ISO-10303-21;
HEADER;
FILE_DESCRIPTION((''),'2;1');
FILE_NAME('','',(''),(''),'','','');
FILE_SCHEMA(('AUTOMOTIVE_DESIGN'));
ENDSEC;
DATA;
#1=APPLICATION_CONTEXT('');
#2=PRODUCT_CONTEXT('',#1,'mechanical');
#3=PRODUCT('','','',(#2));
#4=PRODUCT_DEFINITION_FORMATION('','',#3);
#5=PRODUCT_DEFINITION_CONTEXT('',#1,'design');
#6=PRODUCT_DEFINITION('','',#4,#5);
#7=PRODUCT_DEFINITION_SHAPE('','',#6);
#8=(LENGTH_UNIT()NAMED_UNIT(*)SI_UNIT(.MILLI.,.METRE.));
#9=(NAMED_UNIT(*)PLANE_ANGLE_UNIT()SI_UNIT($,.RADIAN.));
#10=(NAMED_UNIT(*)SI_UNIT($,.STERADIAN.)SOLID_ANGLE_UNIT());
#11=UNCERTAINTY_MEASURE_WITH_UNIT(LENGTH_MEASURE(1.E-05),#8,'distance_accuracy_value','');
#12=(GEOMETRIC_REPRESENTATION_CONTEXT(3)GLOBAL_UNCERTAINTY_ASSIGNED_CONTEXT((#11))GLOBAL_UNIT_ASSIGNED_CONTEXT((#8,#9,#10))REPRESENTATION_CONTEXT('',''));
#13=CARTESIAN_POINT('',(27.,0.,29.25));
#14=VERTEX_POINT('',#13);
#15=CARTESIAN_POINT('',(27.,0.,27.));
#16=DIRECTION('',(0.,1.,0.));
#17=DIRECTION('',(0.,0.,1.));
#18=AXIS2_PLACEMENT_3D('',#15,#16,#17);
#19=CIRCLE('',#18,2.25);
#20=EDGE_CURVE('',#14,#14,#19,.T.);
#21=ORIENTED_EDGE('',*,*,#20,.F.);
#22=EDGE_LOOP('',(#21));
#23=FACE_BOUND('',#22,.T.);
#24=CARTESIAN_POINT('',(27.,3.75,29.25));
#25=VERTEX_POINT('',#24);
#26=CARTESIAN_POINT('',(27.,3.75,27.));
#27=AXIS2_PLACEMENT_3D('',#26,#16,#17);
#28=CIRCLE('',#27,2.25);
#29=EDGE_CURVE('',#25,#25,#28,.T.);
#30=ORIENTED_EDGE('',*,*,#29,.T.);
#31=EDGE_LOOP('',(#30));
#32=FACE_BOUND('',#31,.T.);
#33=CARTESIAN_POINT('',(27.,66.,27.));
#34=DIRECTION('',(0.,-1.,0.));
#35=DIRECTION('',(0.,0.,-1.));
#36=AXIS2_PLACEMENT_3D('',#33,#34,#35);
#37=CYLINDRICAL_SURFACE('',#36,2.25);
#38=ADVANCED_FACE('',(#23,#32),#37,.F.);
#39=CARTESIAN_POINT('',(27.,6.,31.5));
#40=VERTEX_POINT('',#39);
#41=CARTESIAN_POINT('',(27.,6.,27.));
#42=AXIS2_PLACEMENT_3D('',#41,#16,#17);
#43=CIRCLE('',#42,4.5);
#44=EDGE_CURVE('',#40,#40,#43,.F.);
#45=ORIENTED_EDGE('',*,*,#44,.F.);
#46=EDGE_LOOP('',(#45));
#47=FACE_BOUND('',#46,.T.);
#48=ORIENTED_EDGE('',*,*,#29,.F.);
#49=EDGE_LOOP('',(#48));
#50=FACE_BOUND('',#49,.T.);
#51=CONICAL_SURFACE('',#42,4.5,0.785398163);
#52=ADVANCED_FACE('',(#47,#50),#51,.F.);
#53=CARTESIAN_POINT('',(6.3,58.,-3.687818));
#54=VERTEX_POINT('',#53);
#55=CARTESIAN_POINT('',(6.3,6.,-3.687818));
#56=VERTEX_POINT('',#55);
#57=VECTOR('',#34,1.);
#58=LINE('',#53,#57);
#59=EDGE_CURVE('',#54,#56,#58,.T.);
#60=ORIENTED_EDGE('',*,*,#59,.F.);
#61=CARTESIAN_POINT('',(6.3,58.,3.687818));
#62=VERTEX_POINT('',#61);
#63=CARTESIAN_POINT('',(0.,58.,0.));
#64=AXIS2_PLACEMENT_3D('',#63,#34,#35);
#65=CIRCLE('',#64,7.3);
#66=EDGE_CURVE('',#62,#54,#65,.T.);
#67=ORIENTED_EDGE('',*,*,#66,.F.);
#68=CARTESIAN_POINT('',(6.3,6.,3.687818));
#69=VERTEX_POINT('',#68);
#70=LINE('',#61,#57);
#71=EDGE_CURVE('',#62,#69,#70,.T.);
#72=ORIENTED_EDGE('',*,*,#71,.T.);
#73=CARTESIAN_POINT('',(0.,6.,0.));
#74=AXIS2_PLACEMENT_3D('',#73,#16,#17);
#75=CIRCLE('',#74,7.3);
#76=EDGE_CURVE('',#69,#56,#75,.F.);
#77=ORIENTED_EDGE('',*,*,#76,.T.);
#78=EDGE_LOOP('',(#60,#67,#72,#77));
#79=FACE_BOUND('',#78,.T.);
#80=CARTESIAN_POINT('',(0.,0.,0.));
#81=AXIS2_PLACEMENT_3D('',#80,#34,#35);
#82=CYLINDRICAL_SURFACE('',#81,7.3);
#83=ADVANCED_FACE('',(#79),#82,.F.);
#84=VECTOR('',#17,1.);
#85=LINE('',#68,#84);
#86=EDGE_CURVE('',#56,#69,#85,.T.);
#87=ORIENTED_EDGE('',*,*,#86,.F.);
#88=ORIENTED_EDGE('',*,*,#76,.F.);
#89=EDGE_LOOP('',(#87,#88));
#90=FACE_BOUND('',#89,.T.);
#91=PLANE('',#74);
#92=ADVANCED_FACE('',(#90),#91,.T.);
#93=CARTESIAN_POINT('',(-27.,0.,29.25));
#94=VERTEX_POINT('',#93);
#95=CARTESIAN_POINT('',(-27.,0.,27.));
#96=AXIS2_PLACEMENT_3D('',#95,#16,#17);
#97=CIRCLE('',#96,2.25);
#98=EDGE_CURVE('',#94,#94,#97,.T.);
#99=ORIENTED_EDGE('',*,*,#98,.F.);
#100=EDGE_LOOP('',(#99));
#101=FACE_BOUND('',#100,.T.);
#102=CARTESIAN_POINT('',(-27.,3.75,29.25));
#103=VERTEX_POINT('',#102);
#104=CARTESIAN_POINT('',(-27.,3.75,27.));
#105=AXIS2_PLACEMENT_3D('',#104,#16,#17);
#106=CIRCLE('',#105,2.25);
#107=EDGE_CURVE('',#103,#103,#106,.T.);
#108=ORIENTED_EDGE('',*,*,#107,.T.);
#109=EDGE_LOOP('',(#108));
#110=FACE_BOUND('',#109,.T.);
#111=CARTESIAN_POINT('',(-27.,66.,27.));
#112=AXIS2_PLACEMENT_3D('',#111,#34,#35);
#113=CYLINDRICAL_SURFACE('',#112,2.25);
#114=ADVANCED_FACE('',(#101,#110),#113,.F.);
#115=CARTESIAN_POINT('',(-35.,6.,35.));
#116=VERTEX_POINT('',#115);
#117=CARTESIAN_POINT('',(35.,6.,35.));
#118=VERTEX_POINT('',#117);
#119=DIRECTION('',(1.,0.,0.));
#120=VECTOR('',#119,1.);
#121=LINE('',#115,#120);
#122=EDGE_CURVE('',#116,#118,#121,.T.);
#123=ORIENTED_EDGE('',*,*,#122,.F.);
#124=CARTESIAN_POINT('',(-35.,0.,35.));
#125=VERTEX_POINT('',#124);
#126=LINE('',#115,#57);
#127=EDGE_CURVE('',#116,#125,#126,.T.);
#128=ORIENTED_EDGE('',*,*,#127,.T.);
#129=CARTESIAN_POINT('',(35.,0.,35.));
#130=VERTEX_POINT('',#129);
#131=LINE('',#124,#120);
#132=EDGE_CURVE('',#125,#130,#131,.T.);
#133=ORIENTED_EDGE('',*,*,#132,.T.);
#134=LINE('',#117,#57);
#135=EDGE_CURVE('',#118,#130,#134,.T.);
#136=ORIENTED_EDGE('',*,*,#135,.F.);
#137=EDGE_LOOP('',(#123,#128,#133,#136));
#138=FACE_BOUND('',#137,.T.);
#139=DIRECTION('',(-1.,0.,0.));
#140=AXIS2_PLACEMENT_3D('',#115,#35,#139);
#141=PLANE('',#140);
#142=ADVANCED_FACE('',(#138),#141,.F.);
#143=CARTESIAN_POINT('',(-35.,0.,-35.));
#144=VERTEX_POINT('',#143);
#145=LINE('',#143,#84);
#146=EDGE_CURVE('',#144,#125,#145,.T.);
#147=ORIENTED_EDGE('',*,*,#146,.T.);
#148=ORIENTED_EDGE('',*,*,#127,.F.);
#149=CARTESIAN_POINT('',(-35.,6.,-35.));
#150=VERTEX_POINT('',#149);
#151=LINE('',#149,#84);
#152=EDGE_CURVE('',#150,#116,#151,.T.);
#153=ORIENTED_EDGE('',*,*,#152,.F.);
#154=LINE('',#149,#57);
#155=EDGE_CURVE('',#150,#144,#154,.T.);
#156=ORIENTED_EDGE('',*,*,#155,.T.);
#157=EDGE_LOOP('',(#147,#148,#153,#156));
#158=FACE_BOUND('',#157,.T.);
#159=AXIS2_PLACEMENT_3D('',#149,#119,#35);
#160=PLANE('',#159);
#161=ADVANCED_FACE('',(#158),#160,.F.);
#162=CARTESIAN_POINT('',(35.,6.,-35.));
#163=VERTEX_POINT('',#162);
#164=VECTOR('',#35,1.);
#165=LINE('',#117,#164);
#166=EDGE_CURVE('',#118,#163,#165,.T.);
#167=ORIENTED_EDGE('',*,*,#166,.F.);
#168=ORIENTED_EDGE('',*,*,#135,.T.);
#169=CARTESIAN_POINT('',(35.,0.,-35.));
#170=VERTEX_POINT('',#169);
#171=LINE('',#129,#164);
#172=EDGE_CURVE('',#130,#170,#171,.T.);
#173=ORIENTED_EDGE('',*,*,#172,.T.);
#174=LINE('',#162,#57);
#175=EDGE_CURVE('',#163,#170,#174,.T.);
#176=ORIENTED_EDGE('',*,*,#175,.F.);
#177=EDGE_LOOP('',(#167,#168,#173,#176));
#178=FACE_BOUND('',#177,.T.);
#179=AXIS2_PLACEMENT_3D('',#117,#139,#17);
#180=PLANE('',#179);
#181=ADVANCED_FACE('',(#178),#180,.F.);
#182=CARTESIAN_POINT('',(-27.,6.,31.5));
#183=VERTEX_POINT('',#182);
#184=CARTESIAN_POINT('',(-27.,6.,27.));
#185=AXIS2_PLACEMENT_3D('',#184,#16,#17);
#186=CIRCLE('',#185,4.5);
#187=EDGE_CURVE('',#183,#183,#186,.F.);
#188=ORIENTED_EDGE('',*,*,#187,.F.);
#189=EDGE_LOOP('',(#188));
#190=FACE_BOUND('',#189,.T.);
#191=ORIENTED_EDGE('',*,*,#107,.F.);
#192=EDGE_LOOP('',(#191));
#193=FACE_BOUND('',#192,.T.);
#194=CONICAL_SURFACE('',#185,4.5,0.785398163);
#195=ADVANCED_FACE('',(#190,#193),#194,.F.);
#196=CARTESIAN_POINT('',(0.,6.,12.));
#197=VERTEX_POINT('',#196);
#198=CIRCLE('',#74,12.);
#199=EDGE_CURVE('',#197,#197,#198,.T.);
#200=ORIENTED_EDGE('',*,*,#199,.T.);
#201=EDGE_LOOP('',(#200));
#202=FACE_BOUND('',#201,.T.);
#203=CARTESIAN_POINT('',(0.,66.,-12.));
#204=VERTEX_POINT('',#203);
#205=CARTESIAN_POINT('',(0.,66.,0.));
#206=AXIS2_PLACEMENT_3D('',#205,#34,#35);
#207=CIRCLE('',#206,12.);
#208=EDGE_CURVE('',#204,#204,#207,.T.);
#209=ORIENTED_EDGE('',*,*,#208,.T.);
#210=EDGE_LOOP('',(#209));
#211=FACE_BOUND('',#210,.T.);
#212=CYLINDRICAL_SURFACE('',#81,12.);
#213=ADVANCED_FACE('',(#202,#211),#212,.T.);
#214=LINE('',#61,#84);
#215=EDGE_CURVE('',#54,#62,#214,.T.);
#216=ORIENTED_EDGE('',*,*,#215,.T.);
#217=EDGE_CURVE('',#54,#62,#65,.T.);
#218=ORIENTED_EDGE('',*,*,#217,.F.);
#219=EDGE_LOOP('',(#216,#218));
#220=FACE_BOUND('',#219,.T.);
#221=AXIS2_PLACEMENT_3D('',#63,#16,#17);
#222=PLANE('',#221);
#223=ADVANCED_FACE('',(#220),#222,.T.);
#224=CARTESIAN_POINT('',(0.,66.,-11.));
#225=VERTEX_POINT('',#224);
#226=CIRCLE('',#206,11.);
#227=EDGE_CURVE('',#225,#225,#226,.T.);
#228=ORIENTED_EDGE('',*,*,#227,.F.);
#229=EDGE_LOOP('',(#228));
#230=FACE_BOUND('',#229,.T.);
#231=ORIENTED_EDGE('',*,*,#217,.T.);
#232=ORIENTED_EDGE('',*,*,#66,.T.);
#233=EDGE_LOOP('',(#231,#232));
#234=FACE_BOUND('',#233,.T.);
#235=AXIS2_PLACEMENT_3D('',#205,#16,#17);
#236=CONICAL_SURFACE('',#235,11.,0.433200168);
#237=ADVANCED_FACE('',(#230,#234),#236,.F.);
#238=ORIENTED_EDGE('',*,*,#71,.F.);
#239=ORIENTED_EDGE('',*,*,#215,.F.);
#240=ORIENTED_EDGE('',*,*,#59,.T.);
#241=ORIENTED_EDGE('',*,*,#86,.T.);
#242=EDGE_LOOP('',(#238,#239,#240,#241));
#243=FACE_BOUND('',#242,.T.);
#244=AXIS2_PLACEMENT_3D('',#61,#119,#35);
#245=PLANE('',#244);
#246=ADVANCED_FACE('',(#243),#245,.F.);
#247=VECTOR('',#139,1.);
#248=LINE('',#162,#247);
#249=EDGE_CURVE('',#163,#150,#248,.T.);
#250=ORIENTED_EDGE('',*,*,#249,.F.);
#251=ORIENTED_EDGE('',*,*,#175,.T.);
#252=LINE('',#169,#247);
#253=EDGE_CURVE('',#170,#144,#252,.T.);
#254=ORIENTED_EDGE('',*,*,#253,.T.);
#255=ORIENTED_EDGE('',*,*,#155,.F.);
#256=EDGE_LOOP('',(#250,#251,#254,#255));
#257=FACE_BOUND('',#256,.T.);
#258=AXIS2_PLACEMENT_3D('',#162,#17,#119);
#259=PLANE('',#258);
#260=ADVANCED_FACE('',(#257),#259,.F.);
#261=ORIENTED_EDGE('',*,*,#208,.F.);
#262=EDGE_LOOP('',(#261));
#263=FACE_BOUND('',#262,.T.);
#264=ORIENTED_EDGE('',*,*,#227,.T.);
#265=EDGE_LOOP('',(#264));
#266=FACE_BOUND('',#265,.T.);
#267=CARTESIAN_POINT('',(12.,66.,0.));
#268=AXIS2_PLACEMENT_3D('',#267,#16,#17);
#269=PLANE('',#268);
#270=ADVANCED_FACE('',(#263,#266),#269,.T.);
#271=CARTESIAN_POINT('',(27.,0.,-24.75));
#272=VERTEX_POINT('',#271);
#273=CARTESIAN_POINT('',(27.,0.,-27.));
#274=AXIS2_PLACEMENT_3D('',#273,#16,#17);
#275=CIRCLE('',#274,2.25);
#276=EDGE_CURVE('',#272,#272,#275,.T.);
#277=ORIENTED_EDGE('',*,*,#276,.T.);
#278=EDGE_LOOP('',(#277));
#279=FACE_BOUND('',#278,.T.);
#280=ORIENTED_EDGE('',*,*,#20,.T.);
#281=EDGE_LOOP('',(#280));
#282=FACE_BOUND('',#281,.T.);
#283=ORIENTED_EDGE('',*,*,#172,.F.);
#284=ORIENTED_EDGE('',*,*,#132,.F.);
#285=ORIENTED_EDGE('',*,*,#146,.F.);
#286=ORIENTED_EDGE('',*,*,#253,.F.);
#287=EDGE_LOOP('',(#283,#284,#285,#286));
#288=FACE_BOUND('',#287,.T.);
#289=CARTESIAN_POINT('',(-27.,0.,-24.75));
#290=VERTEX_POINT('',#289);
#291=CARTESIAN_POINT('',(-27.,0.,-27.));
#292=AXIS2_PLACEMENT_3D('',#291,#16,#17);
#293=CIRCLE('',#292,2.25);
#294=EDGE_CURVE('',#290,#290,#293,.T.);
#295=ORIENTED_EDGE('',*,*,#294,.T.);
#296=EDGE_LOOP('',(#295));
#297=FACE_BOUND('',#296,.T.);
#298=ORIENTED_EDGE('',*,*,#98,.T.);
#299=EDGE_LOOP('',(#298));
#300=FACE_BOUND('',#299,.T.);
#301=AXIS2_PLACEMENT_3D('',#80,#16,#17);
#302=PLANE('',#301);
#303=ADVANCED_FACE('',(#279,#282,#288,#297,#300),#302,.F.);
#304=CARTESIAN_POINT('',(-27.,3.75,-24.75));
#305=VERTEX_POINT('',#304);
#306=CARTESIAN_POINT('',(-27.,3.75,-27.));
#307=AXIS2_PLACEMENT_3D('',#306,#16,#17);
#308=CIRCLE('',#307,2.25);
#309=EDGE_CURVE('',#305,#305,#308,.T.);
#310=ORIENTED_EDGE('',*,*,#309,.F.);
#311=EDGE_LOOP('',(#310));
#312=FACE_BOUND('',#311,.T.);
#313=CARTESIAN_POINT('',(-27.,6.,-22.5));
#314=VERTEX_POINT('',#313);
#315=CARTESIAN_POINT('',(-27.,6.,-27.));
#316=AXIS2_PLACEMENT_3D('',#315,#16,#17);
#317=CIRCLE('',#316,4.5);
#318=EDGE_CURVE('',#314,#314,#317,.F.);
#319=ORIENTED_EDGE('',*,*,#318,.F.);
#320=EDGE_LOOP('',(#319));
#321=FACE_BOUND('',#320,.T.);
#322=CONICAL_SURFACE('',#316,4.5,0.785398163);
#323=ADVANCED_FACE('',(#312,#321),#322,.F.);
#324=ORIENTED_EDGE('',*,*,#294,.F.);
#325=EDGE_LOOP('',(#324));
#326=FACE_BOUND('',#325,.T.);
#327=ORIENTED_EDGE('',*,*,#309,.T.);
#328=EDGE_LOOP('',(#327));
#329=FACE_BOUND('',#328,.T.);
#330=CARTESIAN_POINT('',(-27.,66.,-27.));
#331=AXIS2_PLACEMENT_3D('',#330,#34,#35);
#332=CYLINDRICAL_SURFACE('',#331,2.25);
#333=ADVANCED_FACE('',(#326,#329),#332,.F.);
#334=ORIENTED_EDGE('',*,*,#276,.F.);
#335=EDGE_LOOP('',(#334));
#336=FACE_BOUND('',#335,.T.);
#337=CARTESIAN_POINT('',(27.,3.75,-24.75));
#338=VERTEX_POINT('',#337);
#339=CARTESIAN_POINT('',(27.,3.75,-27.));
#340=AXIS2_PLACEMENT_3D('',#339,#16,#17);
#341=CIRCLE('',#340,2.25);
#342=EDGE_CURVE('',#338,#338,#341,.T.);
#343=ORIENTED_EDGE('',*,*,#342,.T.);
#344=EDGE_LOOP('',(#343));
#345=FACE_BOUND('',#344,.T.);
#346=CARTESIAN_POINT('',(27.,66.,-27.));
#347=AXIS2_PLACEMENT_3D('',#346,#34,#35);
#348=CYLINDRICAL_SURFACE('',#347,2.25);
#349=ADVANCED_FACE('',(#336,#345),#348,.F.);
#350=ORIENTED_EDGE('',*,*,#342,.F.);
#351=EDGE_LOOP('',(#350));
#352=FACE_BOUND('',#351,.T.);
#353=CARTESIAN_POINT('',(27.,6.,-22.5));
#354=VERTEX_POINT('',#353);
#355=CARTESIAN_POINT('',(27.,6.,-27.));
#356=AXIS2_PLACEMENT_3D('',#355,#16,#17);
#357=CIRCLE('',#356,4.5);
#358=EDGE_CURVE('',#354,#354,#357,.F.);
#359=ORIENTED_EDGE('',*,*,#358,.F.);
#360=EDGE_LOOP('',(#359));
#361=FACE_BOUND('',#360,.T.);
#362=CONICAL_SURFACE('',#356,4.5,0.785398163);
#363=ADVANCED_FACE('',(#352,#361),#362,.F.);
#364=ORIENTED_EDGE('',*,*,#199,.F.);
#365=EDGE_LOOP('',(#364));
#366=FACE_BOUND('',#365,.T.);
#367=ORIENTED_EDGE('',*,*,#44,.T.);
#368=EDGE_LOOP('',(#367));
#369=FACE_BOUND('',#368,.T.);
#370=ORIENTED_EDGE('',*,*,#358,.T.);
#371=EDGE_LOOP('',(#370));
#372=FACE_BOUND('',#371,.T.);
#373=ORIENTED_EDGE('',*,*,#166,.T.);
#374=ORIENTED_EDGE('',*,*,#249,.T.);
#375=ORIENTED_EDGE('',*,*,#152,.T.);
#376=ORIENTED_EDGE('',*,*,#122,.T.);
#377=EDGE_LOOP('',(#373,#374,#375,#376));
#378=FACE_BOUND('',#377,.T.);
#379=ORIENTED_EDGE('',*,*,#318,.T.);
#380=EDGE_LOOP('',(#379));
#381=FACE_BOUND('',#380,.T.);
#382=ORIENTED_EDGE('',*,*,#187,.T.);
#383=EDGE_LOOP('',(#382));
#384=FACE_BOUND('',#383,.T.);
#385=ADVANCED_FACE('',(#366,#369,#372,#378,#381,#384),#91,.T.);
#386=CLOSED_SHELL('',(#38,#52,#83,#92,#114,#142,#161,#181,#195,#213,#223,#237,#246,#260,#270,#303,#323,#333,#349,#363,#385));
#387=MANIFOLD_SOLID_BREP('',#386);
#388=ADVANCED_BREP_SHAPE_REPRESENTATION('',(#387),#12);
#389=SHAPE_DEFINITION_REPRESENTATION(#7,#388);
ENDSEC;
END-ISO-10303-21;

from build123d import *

# Parameters (mm, degrees)
CROQUIS1_W              = 70
CROQUIS1_H              = 70
SALIENTE_EXTRUIR1_DEPTH = 6
SALIENTE_EXTRUIR2_DEPTH = 52
CROQUIS4_R              = 2.25
CORTAR_EXTRUIR1_DEPTH   = 83.498484835
CHAFL_N1_SIZE           = 2.25


with BuildPart() as part:
    # Croquis1 → Saliente-Extruir1 (new body)
    with BuildSketch(Plane(origin=(0, 0, 0), x_dir=(1, 0, 0), z_dir=(0, 1, 0))):
        Rectangle(CROQUIS1_W, CROQUIS1_H)
    extrude(amount=SALIENTE_EXTRUIR1_DEPTH)

    # Croquis2 → Revolución1 (revolve)
    with BuildSketch(Plane.XY, mode=Mode.PRIVATE) as revoluci_n1_sk:
        Polygon((7.3, 6), (12, 6), (12, 66), (11, 66), (7.3, 58), align=None)
    revolve(revoluci_n1_sk.sketch.rotate(Axis((0, 0, 0), (0, 1, 0)), 90), axis=Axis((0, 0, 0), (0, 1, 0)))

    # Croquis3 → Saliente-Extruir2 (add)
    with BuildSketch(Plane(origin=(0, 6, 0), x_dir=(1, 0, 0), z_dir=(0, 1, 0))):
        with BuildLine():
            Line((6.3, -3.687817783), (6.3, 3.687817783))
            ThreePointArc((6.3, 3.687817783), (7.3, 0), (6.3, -3.687817783))
        make_face()
    extrude(amount=SALIENTE_EXTRUIR2_DEPTH)

    # Croquis4 → Cortar-Extruir1 (cut, through all)
    with BuildSketch(Plane(origin=(0, 0, 0), x_dir=(1, 0, 0), z_dir=(0, 1, 0))):
        with Locations(Location((27, 27, 0), (0, 0, 270))):
            Circle(CROQUIS4_R)
        with Locations(Location((27, -27, 0), (0, 0, 270))):
            Circle(CROQUIS4_R)
        with Locations(Location((-27, 27, 0), (0, 0, 270))):
            Circle(CROQUIS4_R)
        with Locations(Location((-27, -27, 0), (0, 0, 270))):
            Circle(CROQUIS4_R)
    extrude(amount=CORTAR_EXTRUIR1_DEPTH, mode=Mode.SUBTRACT)

    # Chaflán1
    chafl_n1_edges = [part.edges().sort_by_distance(p)[0] for p in [
        (27, 6, 24.75),
        (-27, 6, -29.25),
        (-27, 6, 24.75),
        (27, 6, -29.25),
    ]]
    chamfer(chafl_n1_edges, length=CHAFL_N1_SIZE)


solid = part.part
